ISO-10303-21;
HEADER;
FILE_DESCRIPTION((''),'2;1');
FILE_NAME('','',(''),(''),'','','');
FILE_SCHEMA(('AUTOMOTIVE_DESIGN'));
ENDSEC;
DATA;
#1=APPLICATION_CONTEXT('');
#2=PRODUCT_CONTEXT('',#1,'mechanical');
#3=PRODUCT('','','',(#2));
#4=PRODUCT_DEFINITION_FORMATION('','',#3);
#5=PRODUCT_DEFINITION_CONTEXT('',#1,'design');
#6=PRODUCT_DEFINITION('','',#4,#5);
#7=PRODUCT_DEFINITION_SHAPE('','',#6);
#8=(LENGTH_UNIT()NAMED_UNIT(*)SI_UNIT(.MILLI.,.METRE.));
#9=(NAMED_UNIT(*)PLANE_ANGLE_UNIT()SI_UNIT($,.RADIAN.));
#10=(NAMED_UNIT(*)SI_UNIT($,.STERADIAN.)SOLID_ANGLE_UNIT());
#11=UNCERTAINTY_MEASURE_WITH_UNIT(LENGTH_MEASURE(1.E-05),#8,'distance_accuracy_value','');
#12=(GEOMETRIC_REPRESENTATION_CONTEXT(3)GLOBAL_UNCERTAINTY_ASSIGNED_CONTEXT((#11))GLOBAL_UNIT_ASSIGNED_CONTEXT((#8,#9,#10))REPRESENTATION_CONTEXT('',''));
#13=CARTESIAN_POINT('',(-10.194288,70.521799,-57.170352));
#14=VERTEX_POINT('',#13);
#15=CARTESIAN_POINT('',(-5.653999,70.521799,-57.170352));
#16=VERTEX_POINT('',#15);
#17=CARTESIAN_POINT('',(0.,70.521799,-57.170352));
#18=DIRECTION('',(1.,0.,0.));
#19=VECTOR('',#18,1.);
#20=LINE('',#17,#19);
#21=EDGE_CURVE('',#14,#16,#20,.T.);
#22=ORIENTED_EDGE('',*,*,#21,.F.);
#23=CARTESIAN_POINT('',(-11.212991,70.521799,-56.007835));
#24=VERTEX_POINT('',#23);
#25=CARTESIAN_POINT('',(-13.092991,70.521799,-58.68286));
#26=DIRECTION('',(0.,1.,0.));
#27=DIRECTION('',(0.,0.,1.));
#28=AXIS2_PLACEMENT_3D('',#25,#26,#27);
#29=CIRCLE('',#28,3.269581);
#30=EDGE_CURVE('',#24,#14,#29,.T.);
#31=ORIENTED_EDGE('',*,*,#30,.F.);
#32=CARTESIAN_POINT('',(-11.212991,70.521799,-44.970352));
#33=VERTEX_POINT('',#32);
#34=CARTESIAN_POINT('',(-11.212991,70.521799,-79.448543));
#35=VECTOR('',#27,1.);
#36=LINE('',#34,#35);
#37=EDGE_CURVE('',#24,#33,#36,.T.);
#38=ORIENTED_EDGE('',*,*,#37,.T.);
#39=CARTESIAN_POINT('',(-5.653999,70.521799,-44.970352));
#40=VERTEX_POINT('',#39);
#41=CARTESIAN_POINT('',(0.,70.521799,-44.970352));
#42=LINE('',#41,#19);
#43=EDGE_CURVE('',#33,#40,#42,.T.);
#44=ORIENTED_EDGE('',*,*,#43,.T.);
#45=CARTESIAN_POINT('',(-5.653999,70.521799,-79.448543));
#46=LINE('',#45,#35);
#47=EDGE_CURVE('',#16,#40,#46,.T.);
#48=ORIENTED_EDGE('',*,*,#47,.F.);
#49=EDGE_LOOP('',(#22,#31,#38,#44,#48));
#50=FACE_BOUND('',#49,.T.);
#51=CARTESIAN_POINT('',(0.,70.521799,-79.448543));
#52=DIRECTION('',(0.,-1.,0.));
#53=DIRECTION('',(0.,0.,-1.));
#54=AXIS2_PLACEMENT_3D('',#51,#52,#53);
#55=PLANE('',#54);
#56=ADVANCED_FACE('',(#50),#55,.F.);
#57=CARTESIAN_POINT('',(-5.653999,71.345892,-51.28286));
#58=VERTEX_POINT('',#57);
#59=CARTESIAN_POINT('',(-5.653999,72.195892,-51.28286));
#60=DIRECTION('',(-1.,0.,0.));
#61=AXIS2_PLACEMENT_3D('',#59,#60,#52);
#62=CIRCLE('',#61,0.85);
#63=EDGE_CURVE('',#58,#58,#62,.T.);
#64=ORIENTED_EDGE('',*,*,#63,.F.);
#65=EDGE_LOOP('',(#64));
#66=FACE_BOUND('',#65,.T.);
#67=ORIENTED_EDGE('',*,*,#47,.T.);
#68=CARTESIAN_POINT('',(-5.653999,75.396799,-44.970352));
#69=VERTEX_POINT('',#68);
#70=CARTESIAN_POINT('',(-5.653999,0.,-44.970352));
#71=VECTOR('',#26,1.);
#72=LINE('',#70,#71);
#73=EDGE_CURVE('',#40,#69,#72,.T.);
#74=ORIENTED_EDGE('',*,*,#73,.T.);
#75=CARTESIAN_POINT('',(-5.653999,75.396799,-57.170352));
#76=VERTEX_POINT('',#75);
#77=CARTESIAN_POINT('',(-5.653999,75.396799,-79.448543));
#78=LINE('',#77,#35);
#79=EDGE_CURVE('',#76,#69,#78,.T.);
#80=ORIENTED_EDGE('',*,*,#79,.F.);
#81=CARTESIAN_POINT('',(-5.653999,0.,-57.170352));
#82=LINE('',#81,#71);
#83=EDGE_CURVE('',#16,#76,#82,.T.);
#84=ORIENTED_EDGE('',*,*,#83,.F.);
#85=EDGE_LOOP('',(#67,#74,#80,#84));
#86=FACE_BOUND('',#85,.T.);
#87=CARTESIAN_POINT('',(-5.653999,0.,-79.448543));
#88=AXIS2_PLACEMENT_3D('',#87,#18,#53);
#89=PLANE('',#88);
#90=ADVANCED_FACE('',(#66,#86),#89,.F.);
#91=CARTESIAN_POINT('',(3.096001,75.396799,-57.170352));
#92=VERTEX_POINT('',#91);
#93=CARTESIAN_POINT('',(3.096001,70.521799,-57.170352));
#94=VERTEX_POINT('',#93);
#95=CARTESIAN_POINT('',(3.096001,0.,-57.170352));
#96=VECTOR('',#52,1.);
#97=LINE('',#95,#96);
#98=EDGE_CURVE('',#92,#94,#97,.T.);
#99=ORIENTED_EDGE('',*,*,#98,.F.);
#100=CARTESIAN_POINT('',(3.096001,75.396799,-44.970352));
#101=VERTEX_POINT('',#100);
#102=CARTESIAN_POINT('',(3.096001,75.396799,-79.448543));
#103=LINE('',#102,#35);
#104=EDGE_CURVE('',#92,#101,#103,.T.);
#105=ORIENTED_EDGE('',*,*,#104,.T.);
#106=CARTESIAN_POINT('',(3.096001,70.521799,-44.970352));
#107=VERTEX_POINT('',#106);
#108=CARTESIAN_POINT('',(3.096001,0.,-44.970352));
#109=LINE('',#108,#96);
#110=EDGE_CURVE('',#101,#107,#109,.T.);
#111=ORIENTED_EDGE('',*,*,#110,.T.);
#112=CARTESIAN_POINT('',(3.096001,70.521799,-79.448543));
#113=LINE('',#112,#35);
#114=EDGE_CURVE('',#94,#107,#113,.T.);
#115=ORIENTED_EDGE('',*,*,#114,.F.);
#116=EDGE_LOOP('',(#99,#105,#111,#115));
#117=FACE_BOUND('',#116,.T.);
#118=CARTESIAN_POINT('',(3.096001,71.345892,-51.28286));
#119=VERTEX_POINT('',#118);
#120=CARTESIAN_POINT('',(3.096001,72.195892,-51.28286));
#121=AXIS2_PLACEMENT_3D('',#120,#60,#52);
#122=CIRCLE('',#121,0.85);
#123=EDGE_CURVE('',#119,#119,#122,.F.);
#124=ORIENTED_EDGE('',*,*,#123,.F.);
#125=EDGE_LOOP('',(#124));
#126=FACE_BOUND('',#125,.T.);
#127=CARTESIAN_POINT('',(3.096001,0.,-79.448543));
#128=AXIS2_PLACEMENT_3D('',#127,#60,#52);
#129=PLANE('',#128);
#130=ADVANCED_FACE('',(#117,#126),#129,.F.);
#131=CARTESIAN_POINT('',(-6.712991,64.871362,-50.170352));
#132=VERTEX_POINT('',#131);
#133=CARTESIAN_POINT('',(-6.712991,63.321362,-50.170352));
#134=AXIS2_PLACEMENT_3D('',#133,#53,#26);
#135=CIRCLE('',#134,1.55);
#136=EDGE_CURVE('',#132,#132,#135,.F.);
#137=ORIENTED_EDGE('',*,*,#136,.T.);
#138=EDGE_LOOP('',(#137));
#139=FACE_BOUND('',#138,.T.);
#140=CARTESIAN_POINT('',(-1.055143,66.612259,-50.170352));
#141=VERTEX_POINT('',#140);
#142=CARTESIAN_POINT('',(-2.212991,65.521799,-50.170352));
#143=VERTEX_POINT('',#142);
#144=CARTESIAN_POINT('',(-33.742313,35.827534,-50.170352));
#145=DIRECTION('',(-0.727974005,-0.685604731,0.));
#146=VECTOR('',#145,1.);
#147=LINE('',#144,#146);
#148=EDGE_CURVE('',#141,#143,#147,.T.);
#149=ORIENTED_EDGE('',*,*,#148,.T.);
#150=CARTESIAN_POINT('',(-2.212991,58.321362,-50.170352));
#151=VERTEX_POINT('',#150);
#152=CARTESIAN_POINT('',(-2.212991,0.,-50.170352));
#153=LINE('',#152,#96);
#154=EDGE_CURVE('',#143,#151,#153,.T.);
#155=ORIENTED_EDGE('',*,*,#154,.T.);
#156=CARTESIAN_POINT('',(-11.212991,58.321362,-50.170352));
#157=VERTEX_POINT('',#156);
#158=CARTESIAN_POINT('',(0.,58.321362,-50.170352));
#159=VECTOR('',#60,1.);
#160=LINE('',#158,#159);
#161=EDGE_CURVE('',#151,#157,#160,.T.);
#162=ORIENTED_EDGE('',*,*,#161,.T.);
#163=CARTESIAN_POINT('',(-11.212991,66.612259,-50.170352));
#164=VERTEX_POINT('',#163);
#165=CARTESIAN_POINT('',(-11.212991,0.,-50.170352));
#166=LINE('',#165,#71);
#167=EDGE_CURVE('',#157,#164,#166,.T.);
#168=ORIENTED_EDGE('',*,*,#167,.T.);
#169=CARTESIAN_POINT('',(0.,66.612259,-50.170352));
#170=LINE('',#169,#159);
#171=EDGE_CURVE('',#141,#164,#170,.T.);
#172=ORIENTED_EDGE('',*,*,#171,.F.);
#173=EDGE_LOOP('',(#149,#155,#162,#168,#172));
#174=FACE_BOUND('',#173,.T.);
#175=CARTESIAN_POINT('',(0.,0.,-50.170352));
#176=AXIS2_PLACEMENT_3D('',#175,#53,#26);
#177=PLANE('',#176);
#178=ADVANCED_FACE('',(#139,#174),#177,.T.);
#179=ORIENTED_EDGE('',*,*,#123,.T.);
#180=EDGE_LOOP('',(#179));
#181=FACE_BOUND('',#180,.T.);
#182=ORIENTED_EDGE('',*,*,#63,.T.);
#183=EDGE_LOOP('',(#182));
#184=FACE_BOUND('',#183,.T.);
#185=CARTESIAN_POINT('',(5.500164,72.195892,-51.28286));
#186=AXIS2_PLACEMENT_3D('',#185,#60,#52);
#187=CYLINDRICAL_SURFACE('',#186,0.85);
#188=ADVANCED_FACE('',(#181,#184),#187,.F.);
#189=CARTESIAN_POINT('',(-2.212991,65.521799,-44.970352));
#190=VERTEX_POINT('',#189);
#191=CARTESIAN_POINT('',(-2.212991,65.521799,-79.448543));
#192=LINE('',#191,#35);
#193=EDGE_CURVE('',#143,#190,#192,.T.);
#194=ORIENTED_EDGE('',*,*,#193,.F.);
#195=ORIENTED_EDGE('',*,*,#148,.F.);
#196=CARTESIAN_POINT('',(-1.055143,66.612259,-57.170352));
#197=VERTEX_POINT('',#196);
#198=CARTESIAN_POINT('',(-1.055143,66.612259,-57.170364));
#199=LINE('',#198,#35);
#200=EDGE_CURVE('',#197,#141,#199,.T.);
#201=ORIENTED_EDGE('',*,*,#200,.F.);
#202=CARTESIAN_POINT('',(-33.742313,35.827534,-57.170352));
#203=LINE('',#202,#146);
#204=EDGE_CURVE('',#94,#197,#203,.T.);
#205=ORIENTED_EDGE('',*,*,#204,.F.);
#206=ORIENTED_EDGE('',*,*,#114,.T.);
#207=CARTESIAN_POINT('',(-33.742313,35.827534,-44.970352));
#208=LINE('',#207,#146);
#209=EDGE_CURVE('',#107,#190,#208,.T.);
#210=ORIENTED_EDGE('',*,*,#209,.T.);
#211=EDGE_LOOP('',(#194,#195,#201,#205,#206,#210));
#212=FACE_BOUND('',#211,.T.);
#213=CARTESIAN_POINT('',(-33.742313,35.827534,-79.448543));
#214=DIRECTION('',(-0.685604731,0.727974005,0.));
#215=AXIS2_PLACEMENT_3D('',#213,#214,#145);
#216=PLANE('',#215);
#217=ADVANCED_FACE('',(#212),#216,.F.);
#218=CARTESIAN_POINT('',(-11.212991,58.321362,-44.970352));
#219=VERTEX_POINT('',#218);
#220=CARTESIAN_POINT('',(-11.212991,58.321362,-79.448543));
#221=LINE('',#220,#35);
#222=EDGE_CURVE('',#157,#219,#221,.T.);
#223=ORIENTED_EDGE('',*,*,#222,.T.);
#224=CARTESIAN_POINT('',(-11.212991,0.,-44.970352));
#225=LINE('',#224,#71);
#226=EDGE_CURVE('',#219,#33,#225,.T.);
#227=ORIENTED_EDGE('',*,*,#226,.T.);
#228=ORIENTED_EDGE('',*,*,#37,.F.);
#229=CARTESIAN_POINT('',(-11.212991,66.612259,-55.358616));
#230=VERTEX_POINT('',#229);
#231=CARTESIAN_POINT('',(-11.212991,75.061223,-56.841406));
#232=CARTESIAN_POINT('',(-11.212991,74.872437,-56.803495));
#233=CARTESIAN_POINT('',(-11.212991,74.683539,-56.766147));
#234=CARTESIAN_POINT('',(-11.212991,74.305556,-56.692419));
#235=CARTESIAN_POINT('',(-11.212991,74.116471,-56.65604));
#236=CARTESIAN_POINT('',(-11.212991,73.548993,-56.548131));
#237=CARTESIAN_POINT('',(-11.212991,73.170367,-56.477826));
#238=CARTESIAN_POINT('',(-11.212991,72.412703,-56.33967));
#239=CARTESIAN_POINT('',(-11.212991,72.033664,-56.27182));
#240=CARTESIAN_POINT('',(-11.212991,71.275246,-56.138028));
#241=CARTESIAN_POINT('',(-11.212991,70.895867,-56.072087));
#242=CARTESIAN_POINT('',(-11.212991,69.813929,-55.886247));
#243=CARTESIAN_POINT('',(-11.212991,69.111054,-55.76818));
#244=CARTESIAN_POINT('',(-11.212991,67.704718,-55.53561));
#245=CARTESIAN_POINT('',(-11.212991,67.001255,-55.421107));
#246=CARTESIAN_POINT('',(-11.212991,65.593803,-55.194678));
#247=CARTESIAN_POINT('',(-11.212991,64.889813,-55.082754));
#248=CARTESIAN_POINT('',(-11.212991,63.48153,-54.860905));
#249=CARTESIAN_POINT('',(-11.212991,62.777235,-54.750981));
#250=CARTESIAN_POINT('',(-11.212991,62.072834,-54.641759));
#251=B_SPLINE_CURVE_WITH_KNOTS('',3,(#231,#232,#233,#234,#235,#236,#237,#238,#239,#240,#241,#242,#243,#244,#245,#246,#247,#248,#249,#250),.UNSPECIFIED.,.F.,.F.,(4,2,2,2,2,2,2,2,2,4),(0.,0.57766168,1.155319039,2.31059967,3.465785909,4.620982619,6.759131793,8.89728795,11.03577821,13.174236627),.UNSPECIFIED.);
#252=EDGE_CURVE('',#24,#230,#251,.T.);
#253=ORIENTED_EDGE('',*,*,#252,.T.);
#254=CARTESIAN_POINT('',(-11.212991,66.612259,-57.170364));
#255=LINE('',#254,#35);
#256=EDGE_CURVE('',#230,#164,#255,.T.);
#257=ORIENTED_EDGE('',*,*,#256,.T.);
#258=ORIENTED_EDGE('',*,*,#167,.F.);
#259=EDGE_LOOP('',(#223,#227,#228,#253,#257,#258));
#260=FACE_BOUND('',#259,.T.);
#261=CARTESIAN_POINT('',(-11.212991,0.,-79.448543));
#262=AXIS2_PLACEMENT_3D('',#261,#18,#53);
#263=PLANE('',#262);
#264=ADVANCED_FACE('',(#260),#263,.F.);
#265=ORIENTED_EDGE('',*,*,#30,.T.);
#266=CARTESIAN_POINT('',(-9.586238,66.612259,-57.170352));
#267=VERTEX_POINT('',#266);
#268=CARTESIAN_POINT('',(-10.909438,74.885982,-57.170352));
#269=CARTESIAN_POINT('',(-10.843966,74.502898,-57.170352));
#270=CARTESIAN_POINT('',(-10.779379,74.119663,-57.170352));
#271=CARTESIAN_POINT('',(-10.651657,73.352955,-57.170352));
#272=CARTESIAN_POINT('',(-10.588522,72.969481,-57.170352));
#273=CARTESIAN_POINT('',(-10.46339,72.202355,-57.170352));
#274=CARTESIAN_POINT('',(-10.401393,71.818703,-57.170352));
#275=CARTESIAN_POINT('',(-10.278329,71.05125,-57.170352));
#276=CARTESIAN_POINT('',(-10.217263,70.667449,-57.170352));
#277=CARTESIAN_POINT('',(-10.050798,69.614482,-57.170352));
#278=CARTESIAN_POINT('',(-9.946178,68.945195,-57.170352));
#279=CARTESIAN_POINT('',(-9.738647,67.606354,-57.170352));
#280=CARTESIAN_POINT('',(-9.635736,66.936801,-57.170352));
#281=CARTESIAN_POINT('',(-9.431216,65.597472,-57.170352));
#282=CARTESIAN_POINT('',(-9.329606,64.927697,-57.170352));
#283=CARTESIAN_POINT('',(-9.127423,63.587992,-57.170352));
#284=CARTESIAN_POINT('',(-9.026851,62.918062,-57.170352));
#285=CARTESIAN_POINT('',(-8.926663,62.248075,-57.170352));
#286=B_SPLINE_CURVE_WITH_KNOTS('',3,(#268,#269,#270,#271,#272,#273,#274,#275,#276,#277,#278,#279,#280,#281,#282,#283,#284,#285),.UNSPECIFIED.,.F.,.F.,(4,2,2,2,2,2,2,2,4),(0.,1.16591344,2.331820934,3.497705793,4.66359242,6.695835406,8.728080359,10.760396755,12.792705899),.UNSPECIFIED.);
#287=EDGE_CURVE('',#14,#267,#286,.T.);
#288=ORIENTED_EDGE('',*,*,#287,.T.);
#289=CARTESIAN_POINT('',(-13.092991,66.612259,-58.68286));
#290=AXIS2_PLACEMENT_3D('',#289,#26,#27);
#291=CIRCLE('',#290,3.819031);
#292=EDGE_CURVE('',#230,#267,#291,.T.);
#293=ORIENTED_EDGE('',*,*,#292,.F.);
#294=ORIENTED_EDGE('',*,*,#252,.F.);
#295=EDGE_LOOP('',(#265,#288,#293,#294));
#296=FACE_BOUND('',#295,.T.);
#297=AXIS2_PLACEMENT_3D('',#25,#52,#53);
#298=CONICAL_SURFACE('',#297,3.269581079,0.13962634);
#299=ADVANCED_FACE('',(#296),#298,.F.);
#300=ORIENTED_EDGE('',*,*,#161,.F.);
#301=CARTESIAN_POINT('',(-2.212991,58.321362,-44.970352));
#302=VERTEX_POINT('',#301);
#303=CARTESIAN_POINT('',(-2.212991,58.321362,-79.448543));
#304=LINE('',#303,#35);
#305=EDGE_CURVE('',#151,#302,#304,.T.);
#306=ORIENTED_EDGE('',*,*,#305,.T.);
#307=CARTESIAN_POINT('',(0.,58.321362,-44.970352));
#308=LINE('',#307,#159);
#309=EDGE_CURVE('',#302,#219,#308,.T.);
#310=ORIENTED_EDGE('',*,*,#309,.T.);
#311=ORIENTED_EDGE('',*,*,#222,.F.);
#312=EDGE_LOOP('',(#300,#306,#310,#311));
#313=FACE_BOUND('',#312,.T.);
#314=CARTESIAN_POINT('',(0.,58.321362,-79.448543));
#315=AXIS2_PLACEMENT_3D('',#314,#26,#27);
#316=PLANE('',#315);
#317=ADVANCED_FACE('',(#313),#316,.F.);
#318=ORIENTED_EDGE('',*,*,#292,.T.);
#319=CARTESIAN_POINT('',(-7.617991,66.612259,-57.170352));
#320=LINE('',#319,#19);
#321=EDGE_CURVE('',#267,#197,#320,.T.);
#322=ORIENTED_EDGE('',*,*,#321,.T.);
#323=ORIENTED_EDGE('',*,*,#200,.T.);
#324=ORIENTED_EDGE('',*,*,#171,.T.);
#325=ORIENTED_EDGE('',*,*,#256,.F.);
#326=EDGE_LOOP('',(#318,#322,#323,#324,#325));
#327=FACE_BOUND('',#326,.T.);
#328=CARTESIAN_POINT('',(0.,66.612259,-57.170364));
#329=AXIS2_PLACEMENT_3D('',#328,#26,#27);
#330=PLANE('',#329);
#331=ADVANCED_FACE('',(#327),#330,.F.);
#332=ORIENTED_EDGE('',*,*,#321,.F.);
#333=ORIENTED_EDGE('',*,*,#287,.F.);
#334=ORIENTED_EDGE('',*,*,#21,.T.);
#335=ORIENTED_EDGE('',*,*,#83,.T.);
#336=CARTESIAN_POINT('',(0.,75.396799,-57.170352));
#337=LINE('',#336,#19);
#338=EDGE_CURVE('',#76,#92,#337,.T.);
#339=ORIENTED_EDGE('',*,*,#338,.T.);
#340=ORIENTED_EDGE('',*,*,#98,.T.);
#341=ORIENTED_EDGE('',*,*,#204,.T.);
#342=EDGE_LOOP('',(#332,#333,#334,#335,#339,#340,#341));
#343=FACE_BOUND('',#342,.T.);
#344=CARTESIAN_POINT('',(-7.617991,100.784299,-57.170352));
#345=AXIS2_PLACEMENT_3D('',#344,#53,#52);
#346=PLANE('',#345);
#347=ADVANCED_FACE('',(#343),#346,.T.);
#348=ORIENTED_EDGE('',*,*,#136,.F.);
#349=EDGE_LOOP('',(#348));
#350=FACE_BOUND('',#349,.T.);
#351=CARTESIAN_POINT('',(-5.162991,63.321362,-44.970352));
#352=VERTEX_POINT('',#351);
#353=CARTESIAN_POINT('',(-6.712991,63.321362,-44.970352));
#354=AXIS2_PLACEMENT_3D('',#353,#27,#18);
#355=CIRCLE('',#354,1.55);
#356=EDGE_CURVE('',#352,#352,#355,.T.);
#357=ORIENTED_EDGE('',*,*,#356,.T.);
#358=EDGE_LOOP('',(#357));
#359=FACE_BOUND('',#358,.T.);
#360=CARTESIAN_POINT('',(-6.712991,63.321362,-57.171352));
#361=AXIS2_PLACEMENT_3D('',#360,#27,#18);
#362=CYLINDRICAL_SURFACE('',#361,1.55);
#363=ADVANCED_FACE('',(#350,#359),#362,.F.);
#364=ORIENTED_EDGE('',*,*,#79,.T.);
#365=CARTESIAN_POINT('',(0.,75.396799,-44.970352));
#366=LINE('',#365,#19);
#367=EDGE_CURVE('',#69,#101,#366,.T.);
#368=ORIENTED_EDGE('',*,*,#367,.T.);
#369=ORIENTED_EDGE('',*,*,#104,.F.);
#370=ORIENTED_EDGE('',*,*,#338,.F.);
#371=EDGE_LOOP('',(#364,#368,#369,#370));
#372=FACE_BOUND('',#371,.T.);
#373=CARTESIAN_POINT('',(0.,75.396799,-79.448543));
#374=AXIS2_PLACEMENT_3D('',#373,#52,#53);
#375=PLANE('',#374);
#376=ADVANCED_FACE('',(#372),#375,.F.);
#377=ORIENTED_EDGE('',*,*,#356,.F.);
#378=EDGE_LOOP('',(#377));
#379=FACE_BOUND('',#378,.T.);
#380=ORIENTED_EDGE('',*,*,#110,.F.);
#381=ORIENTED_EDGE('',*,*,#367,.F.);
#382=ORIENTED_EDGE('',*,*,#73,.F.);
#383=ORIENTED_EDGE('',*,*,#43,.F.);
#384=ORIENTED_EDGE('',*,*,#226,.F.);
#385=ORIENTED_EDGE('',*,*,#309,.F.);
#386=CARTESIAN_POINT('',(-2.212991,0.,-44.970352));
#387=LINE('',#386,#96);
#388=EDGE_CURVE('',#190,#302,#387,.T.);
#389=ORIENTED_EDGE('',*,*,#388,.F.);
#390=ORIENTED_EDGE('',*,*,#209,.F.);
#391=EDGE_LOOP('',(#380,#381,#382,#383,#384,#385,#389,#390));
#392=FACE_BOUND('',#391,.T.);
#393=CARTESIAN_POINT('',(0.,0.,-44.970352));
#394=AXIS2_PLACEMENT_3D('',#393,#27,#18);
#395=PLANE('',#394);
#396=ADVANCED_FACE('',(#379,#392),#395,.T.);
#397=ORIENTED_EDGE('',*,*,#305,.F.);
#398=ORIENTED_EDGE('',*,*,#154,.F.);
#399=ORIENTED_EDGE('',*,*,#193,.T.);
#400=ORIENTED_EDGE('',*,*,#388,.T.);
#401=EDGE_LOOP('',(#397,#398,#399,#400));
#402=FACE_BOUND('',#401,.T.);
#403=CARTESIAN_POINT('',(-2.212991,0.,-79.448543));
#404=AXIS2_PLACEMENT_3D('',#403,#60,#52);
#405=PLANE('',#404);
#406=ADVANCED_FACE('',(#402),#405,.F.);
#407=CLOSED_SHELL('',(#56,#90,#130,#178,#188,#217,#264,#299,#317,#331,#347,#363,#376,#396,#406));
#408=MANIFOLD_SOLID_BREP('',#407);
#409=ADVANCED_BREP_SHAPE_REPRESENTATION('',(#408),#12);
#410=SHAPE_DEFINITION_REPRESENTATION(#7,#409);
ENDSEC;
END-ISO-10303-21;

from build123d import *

# Parameters (mm, degrees)
BOSS_EXTRUDE1_DEPTH     = 12.2
SKETCH3_R               = 0.85
CUT_EXTRUDE1_DEPTH      = 8.75
CUT_EXTRUDE2_REACH      = 14.2
SKETCH4_R               = 1.55
SKETCH5_R               = 1.55
CUT_EXTRUDE3_DEPTH      = 1
CUT_EXTRUDE3_DEPTH_BACK = 7


with BuildPart() as part:
    # Sketch2 → Boss-Extrude1 (new body)
    with BuildSketch(Plane.XY.offset(-44.970352008)):
        Polygon((-11.212990891, 70.521798878), (-11.212990891, 58.321361968), (-2.212990891, 58.321361968), (-2.212990891, 65.521798878), (3.096001096, 70.521798878), (3.096001096, 75.396798878), (-5.653998904, 75.396798878), (-5.653998904, 70.521798878), align=None)
    extrude(amount=-BOSS_EXTRUDE1_DEPTH)

    # Sketch3 → Cut-Extrude1 (cut)
    with BuildSketch(Plane.ZY.offset(5.653998904)):
        with Locations((-51.282859951, 72.195892432)):
            Circle(SKETCH3_R)
    extrude(amount=-CUT_EXTRUDE1_DEPTH, mode=Mode.SUBTRACT)

    # Sketch4 → Cut-Extrude2 (cut, up to next)
    with BuildSketch(Plane.XY.offset(-44.970352008), mode=Mode.PRIVATE) as cut_extrude2_sk1:
        with Locations((-6.712990891, 63.321361968)):
            Circle(SKETCH4_R)
    cut_extrude2_tool1 = extrude(cut_extrude2_sk1.sketch, amount=-CUT_EXTRUDE2_REACH, mode=Mode.PRIVATE) & part.part
    add(cut_extrude2_tool1.solids().sort_by_distance((-6.712991, 63.321362, -44.970352))[0], mode=Mode.SUBTRACT)

    # Sketch5 → Cut-Extrude3 (cut, two sides)
    with BuildSketch(Plane(origin=(0, 0, -57.170352008), x_dir=(-1, 0, 0), z_dir=(0, 0, -1))) as cut_extrude3_sk:
        Polygon((11.212990891, 66.612258502), (1.05514261, 66.612258502), (2.212990891, 65.521798878), (2.212990891, 58.321361968), (11.212990891, 58.321361968), align=None)
        with Locations((6.712990891, 63.321361968)):
            Circle(SKETCH5_R, mode=Mode.SUBTRACT)
    extrude(amount=CUT_EXTRUDE3_DEPTH, mode=Mode.SUBTRACT)
    extrude(cut_extrude3_sk.sketch, amount=-CUT_EXTRUDE3_DEPTH_BACK, mode=Mode.SUBTRACT)

    # Sketch7 → Cut-Revolve1 (revolve, cut)
    with BuildSketch(Plane(origin=(0, 0, -58.682859951), x_dir=(-1, 0, 0), z_dir=(0, 0, -1))):
        Polygon((11.212990891, 66.612258502), (11.212990891, 70.521798878), (9.823409812, 70.521798878), (9.273959744, 66.612258502), align=None)
    revolve(axis=Axis((-13.092990891, 78.216716655, -58.682859951), (0, -1, 0)), mode=Mode.SUBTRACT)


solid = part.part
